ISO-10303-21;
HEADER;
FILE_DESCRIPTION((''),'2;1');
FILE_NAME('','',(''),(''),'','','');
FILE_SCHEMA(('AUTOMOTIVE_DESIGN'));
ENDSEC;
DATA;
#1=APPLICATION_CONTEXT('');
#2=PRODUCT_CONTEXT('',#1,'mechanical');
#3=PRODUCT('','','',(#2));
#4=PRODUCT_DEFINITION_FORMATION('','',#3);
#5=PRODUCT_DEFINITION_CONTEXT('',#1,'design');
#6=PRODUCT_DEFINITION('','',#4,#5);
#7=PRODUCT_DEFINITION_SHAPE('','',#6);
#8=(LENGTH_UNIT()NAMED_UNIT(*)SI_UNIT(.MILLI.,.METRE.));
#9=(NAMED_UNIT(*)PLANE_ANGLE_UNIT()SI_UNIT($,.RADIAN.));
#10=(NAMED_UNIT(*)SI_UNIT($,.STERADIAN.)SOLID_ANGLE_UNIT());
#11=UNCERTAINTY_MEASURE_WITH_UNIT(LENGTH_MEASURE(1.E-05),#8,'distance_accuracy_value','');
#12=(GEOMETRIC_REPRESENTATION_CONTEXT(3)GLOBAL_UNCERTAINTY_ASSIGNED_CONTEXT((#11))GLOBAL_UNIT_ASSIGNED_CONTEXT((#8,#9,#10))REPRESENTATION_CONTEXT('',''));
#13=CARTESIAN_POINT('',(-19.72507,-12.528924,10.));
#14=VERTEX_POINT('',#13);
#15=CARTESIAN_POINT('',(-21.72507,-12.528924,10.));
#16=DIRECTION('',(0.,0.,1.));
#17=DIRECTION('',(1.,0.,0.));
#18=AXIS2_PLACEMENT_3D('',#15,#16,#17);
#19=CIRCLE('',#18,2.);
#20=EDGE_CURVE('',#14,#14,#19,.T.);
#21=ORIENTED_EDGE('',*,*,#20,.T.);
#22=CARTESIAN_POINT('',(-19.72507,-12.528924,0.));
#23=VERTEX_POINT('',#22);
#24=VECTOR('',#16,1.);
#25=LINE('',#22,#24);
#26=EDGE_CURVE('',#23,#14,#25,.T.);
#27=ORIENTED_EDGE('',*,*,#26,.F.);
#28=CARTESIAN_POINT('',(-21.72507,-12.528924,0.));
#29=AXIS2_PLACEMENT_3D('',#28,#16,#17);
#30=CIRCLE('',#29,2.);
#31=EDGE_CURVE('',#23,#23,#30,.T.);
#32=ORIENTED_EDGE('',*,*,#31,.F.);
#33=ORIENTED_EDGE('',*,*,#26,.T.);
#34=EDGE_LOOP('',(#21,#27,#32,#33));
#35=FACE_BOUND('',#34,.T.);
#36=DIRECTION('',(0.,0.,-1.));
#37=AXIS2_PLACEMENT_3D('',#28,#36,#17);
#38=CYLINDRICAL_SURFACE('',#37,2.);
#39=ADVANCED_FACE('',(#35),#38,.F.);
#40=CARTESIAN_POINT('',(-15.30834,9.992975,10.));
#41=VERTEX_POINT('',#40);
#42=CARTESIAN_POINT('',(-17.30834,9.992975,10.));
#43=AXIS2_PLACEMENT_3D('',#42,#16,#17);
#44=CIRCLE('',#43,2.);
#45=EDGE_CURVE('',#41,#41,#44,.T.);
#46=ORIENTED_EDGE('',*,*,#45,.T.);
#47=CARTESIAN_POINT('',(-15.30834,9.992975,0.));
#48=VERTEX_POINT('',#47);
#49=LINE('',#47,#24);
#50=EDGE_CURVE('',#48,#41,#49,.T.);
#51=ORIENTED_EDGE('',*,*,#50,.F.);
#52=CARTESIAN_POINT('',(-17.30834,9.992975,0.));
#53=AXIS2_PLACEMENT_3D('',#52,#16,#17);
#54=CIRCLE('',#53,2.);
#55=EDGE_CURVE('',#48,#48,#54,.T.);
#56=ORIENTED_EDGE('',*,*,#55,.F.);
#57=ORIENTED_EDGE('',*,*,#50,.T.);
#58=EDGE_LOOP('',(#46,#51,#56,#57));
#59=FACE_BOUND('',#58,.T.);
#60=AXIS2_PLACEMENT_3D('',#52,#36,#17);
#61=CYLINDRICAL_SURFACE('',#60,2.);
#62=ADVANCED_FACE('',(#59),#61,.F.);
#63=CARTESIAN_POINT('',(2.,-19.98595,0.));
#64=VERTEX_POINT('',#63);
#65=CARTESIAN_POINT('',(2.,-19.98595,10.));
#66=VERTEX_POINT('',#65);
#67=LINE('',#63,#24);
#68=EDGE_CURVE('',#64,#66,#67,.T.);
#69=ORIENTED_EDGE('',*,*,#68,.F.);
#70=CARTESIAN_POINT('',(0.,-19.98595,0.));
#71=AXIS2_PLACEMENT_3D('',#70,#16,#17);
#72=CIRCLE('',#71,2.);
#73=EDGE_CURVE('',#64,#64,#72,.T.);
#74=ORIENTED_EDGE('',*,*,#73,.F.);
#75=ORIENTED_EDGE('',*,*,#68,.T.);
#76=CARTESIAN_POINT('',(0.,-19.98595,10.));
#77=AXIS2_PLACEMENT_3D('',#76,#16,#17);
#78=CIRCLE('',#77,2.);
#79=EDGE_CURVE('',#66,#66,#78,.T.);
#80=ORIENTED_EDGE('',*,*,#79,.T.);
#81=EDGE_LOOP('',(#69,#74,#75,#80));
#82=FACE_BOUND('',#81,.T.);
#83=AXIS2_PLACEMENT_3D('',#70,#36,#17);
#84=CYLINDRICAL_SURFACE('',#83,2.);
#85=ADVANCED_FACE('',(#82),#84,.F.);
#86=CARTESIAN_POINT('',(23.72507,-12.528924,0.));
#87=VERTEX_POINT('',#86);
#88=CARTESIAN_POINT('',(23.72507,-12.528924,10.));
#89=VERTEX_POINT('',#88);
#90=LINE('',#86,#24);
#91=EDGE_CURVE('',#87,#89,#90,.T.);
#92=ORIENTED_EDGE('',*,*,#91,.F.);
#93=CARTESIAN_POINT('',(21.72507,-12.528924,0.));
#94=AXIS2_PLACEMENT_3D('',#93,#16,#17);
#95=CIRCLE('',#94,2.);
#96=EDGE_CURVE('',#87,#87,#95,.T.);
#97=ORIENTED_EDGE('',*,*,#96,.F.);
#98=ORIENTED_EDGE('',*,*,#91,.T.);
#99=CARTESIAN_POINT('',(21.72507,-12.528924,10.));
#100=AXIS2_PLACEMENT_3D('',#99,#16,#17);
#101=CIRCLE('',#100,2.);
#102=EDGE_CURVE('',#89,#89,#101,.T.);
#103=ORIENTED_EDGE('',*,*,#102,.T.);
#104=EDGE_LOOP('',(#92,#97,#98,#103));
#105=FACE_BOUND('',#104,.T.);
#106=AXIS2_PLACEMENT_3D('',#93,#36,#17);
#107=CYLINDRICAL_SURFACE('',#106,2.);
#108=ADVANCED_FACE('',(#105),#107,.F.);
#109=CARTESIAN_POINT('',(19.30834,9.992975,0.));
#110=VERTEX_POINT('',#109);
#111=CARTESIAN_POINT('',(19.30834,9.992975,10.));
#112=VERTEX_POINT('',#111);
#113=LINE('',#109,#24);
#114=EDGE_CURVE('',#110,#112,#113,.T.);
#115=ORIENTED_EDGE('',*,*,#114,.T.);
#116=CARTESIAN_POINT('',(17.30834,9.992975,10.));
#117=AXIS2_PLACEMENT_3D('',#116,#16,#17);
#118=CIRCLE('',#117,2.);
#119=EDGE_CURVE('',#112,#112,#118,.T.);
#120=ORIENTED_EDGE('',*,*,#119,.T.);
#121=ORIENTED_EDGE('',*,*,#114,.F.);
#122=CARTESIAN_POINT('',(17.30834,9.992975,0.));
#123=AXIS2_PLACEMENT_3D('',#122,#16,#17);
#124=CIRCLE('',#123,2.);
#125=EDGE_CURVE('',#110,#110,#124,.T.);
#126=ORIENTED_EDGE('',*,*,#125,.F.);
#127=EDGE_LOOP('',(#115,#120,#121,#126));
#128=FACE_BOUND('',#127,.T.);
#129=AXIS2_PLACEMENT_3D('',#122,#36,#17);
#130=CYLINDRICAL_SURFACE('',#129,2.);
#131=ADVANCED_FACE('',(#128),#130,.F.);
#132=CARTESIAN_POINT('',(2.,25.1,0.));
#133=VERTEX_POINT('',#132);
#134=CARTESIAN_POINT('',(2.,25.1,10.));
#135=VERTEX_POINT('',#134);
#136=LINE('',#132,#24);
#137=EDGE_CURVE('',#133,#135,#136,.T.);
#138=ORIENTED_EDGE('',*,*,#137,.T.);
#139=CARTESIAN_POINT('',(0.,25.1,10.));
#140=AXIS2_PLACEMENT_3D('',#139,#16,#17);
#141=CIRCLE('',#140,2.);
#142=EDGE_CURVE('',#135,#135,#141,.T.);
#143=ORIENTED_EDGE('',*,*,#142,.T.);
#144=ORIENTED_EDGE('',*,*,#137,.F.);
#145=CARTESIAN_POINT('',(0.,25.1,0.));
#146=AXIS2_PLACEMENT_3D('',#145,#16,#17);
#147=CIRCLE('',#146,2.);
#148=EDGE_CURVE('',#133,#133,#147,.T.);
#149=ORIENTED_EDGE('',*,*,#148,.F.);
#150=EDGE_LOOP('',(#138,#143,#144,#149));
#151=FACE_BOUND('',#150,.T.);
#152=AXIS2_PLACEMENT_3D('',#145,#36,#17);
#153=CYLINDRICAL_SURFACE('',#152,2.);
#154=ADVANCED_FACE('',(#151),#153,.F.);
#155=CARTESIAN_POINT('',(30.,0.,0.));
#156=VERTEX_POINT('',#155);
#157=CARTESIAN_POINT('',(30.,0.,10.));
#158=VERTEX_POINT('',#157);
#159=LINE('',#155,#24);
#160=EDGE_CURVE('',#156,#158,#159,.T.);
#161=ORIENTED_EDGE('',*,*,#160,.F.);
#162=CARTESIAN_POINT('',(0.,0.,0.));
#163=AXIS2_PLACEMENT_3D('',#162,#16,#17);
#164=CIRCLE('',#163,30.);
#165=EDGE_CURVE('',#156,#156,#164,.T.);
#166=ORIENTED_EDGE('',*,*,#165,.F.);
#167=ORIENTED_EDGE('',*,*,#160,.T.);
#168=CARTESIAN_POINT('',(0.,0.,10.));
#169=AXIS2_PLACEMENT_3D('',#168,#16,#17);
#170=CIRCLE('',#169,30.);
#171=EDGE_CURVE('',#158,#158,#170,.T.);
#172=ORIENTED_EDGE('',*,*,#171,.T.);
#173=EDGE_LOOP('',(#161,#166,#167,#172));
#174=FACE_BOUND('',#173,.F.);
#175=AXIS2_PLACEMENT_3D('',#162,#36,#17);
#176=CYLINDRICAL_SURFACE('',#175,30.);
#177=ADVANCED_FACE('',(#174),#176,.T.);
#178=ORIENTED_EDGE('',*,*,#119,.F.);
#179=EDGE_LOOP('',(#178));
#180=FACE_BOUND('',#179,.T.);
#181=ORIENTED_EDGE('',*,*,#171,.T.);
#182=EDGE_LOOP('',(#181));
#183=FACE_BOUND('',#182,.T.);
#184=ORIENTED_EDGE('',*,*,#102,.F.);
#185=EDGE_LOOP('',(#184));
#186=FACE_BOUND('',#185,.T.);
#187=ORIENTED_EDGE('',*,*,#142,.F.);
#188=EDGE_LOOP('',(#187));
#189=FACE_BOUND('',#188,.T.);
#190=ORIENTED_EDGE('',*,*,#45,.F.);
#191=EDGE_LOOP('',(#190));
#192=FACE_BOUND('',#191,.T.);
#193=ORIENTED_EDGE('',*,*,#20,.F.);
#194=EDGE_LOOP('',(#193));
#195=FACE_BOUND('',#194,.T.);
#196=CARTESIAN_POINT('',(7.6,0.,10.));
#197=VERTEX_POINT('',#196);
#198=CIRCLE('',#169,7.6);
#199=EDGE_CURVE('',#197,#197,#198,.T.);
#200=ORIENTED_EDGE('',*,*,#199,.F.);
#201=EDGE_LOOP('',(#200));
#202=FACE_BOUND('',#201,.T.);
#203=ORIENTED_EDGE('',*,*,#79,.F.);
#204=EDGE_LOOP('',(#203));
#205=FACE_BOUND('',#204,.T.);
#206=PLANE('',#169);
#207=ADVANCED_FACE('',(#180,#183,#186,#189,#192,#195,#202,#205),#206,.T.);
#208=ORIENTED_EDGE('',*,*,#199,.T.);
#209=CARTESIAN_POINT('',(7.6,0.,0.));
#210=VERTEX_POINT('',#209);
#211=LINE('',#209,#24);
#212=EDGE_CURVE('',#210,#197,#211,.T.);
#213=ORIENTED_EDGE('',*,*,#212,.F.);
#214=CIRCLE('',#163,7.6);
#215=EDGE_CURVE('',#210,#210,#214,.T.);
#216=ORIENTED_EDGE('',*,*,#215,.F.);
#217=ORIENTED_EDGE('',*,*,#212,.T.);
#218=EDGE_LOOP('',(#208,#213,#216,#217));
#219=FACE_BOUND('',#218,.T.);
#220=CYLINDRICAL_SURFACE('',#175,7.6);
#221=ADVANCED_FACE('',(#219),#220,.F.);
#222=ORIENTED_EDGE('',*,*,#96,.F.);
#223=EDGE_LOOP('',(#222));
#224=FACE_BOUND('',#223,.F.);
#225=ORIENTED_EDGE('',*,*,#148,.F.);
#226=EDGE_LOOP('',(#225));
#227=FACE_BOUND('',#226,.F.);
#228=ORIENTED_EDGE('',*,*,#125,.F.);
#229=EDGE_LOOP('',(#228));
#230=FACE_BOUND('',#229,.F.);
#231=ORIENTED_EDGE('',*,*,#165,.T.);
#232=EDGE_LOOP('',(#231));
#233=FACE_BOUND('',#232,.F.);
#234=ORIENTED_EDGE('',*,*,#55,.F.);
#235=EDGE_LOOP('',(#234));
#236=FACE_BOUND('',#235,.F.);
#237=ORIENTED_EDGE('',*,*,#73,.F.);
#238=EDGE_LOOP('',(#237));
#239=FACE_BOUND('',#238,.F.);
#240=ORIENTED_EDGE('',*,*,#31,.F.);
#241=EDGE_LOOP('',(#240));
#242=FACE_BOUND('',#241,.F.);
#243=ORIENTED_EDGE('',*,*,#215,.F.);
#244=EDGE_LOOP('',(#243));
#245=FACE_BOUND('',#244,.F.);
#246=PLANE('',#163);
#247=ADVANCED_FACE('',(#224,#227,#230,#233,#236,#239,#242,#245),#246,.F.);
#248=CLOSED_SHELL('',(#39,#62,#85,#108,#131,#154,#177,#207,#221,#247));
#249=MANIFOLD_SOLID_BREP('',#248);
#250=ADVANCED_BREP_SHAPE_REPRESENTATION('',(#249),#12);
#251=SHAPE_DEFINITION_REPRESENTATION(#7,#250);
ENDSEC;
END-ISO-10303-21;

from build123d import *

# Parameters (mm, degrees)
F0_R     = 30
F0_R_2   = 2
F0_R_3   = 7.6
F1_DEPTH = 10


with BuildPart() as f1:
    # F0 (on Top) → F1 (new body)
    with BuildSketch(Plane.XY):
        Circle(F0_R)
        with Locations((-21.72507, -12.528924)):
            Circle(F0_R_2, mode=Mode.SUBTRACT)
        with Locations((0, -19.98595)):
            Circle(F0_R_2, mode=Mode.SUBTRACT)
        with Locations((21.72507, -12.528924)):
            Circle(F0_R_2, mode=Mode.SUBTRACT)
        with Locations((-17.30834, 9.992975)):
            Circle(F0_R_2, mode=Mode.SUBTRACT)
        Circle(F0_R_3, mode=Mode.SUBTRACT)
        with Locations((17.30834, 9.992975)):
            Circle(F0_R_2, mode=Mode.SUBTRACT)
        with Locations((0, 25.1)):
            Circle(F0_R_2, mode=Mode.SUBTRACT)
    extrude(amount=F1_DEPTH)


solid = f1.part
